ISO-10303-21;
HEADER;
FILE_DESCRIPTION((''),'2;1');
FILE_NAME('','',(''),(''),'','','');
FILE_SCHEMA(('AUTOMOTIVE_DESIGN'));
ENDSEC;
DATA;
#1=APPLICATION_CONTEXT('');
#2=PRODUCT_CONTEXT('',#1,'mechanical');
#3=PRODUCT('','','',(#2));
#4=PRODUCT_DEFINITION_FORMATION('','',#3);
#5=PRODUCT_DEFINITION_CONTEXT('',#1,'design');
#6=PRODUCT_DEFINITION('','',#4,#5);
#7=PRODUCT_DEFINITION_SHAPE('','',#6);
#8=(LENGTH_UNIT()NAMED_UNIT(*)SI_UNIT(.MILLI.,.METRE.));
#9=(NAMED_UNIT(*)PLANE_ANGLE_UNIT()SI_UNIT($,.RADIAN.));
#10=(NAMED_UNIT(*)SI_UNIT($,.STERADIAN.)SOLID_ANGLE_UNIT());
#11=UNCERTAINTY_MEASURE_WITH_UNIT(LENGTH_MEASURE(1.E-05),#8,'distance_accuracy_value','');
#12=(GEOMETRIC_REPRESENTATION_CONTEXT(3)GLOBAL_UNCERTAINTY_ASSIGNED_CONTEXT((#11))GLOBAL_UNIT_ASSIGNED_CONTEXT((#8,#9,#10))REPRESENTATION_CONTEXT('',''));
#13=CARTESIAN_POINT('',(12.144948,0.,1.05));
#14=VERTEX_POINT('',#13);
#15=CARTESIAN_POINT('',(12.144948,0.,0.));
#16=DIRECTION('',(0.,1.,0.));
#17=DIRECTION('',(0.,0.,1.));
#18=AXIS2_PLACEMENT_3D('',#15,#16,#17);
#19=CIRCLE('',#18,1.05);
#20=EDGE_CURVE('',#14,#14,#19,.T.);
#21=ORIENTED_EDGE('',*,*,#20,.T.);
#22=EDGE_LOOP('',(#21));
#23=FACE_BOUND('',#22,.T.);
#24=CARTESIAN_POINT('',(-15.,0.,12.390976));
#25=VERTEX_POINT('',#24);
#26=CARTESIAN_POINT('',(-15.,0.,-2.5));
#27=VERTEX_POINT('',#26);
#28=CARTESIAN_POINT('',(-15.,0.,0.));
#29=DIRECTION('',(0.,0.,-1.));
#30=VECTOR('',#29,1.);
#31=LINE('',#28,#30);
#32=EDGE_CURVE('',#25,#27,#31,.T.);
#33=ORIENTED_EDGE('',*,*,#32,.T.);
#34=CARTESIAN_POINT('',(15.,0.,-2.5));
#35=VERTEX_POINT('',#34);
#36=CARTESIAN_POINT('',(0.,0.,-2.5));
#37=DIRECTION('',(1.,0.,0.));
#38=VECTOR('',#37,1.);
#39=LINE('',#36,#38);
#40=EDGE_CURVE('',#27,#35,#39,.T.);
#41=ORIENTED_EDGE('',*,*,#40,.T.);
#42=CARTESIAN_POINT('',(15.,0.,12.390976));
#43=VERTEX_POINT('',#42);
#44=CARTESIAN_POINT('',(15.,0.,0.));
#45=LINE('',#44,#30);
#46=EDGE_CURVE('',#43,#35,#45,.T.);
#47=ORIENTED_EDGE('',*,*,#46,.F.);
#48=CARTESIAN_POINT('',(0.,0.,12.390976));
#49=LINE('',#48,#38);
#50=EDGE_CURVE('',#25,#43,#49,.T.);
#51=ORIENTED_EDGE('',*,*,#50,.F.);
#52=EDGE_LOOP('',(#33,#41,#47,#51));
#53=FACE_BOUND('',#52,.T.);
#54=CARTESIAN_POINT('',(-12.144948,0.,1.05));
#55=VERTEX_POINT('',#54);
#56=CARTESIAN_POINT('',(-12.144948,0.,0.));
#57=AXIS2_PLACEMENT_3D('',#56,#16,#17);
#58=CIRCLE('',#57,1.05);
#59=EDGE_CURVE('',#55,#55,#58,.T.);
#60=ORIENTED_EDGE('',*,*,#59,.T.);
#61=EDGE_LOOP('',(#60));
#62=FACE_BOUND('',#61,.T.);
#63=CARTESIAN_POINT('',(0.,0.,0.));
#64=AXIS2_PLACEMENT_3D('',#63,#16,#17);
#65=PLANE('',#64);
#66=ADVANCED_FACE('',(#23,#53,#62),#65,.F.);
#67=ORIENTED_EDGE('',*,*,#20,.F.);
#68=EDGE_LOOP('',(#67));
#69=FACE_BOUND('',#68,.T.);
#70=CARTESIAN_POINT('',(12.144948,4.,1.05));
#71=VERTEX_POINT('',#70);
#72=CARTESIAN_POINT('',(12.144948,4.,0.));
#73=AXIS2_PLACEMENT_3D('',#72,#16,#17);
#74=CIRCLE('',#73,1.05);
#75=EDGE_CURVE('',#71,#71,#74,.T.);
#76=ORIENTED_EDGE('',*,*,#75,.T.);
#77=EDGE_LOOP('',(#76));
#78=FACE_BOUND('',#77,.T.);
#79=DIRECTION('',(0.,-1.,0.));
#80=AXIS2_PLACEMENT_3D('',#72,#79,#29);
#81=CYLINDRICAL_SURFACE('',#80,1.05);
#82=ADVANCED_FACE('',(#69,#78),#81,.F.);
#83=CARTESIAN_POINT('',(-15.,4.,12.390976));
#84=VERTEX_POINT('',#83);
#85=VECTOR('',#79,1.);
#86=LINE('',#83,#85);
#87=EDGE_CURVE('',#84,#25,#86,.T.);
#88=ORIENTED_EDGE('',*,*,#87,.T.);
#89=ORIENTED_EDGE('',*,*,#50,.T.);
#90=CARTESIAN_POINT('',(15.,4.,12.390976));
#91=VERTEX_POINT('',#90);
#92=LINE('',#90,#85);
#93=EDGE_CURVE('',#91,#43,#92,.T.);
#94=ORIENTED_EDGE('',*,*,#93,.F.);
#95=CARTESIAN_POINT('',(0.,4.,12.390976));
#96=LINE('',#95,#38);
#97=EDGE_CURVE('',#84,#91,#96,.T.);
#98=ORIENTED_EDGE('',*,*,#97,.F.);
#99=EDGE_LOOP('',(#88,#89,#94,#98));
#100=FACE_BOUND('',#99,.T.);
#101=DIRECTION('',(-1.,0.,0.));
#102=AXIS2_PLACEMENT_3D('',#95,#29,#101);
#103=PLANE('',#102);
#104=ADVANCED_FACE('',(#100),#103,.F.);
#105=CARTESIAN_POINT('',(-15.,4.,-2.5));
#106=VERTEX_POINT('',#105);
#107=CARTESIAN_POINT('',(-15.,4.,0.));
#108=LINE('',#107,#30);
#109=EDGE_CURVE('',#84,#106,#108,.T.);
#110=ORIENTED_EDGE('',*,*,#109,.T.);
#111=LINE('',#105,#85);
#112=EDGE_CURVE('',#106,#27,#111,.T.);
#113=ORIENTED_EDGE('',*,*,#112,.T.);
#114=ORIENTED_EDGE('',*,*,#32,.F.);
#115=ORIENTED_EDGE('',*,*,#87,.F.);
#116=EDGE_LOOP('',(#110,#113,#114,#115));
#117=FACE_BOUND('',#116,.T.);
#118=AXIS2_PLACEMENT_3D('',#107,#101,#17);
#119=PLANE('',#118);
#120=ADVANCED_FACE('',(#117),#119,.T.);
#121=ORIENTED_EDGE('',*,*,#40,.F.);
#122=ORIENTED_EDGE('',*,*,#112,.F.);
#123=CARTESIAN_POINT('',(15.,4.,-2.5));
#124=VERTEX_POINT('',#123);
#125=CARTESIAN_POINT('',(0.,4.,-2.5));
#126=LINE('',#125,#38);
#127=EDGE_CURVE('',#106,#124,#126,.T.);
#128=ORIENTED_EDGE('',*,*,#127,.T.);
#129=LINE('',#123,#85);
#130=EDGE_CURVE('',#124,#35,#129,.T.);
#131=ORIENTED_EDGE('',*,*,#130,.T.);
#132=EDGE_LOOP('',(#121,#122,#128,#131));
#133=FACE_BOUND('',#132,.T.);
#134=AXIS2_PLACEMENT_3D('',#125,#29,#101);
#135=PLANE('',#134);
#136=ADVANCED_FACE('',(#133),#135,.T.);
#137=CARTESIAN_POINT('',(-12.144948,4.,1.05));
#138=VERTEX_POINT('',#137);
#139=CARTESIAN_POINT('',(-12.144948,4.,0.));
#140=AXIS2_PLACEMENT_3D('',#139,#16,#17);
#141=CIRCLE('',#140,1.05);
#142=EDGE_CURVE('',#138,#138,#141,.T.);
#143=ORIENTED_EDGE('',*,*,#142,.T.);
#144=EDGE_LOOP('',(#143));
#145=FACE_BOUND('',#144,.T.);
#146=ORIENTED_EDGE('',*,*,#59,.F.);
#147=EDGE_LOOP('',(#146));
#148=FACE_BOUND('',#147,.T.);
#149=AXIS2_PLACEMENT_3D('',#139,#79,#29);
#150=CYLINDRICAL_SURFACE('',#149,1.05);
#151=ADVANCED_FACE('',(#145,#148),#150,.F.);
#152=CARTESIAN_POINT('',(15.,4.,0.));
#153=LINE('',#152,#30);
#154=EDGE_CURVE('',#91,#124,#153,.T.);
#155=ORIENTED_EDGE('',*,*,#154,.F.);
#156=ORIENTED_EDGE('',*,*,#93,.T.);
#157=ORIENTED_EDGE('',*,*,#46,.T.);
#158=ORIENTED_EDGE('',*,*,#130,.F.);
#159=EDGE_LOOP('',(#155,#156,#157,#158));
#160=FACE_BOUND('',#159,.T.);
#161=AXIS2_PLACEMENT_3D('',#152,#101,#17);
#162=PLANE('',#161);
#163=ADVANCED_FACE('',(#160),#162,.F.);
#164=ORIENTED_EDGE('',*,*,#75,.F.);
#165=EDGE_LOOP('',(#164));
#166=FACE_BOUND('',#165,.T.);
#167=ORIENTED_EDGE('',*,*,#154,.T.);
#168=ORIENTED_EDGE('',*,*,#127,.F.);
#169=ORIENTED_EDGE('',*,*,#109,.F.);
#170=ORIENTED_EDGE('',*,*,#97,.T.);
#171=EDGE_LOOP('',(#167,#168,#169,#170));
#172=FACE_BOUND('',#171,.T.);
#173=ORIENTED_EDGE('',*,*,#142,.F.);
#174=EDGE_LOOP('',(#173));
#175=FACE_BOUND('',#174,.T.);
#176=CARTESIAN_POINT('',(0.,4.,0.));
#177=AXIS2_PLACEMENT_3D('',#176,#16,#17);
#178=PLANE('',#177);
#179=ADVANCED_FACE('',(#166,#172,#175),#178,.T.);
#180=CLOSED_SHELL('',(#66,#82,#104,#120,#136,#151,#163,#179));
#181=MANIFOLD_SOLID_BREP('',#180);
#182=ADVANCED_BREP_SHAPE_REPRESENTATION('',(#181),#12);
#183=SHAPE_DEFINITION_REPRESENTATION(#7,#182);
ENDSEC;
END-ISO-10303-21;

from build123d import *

# Parameters (mm, degrees)
SKETCH1_W           = 30
SKETCH1_H           = 5
SKETCH1_R           = 1.05
SKETCH1_H_2         = 9.890975922
BOSS_EXTRUDE1_DEPTH = 4


with BuildPart() as part:
    # Sketch1 → Boss-Extrude1 (new body)
    # profile 1 of 2: a face of its own
    with BuildSketch(Plane(origin=(0, 0, 0), x_dir=(1, 0, 0), z_dir=(0, 1, 0))):
        Rectangle(SKETCH1_W, SKETCH1_H)
        with Locations(Location((12.1449485, 0, 0), (0, 0, 270))):
            Circle(SKETCH1_R, mode=Mode.SUBTRACT)
        with Locations(Location((-12.1449485, 0, 0), (0, 0, 270))):
            Circle(SKETCH1_R, mode=Mode.SUBTRACT)
    # profile 2 of 2: a face of its own
    with BuildSketch(Plane(origin=(0, 0, 0), x_dir=(1, 0, 0), z_dir=(0, 1, 0))):
        with Locations((0, -7.445487961)):
            Rectangle(SKETCH1_W, SKETCH1_H_2)
    extrude(amount=BOSS_EXTRUDE1_DEPTH)


solid = part.part
